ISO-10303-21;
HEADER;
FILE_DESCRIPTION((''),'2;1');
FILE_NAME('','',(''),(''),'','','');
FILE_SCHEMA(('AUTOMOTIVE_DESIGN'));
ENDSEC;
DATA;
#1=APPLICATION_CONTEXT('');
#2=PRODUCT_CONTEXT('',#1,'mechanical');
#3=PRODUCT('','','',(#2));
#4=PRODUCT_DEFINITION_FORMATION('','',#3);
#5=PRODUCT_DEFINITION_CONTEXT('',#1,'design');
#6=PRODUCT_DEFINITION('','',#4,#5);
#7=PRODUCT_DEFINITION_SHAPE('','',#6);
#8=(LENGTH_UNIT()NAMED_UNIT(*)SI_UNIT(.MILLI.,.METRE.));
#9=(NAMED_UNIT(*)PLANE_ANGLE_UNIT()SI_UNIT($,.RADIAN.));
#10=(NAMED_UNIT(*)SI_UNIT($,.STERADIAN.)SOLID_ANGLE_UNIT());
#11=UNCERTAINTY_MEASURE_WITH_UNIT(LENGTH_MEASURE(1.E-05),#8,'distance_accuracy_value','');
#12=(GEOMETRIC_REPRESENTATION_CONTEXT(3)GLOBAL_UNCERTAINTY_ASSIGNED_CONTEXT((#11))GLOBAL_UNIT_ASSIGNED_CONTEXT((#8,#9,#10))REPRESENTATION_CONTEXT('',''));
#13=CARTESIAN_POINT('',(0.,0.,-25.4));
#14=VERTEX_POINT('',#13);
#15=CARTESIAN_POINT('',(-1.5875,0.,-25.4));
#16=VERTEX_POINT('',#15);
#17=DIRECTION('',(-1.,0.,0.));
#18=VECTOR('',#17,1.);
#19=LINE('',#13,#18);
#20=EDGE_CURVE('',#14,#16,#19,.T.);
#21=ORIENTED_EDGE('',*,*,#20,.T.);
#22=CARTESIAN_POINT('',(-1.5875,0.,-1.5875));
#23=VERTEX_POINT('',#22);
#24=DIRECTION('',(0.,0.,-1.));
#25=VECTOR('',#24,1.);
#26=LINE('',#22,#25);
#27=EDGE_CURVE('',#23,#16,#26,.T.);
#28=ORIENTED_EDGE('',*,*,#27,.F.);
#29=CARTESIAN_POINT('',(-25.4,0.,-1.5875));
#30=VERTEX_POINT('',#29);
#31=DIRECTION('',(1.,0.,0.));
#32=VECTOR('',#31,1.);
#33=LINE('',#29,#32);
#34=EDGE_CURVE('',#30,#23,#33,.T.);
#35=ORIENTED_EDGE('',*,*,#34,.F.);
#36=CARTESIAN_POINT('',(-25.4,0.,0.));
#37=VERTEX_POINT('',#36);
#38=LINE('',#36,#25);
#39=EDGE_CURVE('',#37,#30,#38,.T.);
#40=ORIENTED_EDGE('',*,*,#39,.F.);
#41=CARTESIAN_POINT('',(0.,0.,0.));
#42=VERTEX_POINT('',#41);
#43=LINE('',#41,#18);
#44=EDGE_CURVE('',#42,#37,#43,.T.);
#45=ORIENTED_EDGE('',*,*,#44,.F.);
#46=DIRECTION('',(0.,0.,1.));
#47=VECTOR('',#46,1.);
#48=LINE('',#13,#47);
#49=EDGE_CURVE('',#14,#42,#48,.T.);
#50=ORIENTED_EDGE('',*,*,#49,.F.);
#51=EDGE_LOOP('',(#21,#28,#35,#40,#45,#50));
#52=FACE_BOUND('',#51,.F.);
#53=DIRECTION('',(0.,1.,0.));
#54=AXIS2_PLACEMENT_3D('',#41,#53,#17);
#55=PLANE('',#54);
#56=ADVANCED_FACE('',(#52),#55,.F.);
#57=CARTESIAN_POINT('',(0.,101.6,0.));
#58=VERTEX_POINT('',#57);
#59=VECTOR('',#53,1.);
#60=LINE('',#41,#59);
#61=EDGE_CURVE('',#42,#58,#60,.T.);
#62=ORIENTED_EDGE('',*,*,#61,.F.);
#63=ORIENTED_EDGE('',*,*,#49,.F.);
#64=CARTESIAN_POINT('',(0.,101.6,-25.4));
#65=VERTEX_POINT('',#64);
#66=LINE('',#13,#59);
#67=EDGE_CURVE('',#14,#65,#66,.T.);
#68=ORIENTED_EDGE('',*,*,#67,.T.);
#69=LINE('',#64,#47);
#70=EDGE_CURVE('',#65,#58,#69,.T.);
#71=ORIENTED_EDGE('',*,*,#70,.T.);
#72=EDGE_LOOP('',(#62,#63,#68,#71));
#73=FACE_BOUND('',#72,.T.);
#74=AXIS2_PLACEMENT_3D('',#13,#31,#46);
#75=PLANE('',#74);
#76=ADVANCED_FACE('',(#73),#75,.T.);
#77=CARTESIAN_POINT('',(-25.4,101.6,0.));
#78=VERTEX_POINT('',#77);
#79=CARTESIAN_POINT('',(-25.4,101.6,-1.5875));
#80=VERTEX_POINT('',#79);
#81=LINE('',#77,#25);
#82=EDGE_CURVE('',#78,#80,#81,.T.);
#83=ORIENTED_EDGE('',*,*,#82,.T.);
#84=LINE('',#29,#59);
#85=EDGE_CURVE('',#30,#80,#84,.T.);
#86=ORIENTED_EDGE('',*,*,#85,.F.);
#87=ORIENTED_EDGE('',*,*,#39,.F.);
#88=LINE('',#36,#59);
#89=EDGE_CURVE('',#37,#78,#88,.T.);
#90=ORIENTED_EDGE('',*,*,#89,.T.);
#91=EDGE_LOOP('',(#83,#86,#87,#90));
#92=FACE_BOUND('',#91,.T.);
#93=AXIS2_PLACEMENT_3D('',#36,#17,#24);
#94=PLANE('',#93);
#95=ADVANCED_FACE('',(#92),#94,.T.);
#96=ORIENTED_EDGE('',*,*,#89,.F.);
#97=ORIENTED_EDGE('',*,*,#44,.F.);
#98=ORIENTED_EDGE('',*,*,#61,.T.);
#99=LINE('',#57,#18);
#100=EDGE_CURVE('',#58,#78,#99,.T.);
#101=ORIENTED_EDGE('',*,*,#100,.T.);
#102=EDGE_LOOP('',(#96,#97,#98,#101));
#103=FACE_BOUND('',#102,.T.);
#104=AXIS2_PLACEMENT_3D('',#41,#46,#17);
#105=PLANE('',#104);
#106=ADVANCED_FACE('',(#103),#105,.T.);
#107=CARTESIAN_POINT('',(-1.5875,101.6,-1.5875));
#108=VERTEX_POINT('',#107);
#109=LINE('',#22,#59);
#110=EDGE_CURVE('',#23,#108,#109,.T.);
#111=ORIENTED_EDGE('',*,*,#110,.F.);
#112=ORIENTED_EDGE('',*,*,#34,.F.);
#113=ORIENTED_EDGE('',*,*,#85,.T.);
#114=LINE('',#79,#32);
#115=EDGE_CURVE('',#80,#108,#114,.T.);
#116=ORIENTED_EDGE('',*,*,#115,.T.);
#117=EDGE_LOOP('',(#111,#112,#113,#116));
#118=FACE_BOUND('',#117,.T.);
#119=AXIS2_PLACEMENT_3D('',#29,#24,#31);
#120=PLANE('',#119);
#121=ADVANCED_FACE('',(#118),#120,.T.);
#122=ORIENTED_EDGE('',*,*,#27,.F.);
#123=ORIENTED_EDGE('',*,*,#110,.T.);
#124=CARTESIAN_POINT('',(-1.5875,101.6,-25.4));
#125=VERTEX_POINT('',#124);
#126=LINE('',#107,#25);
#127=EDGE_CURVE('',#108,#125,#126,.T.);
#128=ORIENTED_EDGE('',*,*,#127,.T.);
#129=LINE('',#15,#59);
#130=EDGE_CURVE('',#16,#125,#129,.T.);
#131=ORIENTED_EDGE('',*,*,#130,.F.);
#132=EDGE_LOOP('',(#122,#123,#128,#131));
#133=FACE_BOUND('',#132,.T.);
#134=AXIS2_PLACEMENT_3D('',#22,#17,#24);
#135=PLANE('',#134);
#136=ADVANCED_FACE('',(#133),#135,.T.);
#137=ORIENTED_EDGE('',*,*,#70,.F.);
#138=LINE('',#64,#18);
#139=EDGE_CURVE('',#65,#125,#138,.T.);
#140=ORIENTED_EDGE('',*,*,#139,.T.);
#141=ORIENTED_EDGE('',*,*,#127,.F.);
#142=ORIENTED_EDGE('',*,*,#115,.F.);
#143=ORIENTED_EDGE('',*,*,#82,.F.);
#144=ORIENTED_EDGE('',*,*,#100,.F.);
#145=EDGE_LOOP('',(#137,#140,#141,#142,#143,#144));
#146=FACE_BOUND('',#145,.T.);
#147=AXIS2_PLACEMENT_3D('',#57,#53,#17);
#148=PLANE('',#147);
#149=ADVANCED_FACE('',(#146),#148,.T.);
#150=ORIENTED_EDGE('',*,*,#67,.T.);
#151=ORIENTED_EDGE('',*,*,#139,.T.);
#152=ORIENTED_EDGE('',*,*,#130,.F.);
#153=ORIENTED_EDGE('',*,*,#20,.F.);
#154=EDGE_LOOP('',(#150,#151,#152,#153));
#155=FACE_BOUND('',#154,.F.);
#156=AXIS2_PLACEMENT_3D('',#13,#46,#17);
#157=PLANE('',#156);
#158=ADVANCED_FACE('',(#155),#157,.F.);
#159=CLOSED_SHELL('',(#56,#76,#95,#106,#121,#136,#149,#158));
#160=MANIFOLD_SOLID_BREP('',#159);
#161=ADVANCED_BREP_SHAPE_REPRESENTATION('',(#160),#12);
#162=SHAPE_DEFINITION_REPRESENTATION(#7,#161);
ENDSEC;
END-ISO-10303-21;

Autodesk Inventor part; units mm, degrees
ref_plane "YZ Plane" through (0, 0, 0) normal (1, 0, 0) x (0, 1, 0)
ref_plane "XZ Plane" through (0, 0, 0) normal (0, 1, 0) x (-1, 0, 0)
ref_plane "XY Plane" through (0, 0, 0) normal (0, 0, 1) x (1, 0, 0)
sketch "Sketch1" plane through (0, 0, 0) normal (0, 1, 0) x (-1, 0, 0)
  line L0 (0, 0) -> (25.4, 0)
  line L1 (0, -25.4) -> (0, 0)
  line L2 (25.4, -1.5875) -> (1.5875, -1.5875)
  line L3 (1.5875, -1.5875) -> (1.5875, -25.4)
  line L4 (25.4, 0) -> (25.4, -1.5875)
  line L5 (0, -25.4) -> (1.5875, -25.4)
  dimension "d2" = 25.4
  dimension "d3" = 25.4
  dimension "d4" = 1.5875
extrude "Extrusion1" add sketch "Sketch1" along normal blind 101.6
properties part number "articulation motor mount"
